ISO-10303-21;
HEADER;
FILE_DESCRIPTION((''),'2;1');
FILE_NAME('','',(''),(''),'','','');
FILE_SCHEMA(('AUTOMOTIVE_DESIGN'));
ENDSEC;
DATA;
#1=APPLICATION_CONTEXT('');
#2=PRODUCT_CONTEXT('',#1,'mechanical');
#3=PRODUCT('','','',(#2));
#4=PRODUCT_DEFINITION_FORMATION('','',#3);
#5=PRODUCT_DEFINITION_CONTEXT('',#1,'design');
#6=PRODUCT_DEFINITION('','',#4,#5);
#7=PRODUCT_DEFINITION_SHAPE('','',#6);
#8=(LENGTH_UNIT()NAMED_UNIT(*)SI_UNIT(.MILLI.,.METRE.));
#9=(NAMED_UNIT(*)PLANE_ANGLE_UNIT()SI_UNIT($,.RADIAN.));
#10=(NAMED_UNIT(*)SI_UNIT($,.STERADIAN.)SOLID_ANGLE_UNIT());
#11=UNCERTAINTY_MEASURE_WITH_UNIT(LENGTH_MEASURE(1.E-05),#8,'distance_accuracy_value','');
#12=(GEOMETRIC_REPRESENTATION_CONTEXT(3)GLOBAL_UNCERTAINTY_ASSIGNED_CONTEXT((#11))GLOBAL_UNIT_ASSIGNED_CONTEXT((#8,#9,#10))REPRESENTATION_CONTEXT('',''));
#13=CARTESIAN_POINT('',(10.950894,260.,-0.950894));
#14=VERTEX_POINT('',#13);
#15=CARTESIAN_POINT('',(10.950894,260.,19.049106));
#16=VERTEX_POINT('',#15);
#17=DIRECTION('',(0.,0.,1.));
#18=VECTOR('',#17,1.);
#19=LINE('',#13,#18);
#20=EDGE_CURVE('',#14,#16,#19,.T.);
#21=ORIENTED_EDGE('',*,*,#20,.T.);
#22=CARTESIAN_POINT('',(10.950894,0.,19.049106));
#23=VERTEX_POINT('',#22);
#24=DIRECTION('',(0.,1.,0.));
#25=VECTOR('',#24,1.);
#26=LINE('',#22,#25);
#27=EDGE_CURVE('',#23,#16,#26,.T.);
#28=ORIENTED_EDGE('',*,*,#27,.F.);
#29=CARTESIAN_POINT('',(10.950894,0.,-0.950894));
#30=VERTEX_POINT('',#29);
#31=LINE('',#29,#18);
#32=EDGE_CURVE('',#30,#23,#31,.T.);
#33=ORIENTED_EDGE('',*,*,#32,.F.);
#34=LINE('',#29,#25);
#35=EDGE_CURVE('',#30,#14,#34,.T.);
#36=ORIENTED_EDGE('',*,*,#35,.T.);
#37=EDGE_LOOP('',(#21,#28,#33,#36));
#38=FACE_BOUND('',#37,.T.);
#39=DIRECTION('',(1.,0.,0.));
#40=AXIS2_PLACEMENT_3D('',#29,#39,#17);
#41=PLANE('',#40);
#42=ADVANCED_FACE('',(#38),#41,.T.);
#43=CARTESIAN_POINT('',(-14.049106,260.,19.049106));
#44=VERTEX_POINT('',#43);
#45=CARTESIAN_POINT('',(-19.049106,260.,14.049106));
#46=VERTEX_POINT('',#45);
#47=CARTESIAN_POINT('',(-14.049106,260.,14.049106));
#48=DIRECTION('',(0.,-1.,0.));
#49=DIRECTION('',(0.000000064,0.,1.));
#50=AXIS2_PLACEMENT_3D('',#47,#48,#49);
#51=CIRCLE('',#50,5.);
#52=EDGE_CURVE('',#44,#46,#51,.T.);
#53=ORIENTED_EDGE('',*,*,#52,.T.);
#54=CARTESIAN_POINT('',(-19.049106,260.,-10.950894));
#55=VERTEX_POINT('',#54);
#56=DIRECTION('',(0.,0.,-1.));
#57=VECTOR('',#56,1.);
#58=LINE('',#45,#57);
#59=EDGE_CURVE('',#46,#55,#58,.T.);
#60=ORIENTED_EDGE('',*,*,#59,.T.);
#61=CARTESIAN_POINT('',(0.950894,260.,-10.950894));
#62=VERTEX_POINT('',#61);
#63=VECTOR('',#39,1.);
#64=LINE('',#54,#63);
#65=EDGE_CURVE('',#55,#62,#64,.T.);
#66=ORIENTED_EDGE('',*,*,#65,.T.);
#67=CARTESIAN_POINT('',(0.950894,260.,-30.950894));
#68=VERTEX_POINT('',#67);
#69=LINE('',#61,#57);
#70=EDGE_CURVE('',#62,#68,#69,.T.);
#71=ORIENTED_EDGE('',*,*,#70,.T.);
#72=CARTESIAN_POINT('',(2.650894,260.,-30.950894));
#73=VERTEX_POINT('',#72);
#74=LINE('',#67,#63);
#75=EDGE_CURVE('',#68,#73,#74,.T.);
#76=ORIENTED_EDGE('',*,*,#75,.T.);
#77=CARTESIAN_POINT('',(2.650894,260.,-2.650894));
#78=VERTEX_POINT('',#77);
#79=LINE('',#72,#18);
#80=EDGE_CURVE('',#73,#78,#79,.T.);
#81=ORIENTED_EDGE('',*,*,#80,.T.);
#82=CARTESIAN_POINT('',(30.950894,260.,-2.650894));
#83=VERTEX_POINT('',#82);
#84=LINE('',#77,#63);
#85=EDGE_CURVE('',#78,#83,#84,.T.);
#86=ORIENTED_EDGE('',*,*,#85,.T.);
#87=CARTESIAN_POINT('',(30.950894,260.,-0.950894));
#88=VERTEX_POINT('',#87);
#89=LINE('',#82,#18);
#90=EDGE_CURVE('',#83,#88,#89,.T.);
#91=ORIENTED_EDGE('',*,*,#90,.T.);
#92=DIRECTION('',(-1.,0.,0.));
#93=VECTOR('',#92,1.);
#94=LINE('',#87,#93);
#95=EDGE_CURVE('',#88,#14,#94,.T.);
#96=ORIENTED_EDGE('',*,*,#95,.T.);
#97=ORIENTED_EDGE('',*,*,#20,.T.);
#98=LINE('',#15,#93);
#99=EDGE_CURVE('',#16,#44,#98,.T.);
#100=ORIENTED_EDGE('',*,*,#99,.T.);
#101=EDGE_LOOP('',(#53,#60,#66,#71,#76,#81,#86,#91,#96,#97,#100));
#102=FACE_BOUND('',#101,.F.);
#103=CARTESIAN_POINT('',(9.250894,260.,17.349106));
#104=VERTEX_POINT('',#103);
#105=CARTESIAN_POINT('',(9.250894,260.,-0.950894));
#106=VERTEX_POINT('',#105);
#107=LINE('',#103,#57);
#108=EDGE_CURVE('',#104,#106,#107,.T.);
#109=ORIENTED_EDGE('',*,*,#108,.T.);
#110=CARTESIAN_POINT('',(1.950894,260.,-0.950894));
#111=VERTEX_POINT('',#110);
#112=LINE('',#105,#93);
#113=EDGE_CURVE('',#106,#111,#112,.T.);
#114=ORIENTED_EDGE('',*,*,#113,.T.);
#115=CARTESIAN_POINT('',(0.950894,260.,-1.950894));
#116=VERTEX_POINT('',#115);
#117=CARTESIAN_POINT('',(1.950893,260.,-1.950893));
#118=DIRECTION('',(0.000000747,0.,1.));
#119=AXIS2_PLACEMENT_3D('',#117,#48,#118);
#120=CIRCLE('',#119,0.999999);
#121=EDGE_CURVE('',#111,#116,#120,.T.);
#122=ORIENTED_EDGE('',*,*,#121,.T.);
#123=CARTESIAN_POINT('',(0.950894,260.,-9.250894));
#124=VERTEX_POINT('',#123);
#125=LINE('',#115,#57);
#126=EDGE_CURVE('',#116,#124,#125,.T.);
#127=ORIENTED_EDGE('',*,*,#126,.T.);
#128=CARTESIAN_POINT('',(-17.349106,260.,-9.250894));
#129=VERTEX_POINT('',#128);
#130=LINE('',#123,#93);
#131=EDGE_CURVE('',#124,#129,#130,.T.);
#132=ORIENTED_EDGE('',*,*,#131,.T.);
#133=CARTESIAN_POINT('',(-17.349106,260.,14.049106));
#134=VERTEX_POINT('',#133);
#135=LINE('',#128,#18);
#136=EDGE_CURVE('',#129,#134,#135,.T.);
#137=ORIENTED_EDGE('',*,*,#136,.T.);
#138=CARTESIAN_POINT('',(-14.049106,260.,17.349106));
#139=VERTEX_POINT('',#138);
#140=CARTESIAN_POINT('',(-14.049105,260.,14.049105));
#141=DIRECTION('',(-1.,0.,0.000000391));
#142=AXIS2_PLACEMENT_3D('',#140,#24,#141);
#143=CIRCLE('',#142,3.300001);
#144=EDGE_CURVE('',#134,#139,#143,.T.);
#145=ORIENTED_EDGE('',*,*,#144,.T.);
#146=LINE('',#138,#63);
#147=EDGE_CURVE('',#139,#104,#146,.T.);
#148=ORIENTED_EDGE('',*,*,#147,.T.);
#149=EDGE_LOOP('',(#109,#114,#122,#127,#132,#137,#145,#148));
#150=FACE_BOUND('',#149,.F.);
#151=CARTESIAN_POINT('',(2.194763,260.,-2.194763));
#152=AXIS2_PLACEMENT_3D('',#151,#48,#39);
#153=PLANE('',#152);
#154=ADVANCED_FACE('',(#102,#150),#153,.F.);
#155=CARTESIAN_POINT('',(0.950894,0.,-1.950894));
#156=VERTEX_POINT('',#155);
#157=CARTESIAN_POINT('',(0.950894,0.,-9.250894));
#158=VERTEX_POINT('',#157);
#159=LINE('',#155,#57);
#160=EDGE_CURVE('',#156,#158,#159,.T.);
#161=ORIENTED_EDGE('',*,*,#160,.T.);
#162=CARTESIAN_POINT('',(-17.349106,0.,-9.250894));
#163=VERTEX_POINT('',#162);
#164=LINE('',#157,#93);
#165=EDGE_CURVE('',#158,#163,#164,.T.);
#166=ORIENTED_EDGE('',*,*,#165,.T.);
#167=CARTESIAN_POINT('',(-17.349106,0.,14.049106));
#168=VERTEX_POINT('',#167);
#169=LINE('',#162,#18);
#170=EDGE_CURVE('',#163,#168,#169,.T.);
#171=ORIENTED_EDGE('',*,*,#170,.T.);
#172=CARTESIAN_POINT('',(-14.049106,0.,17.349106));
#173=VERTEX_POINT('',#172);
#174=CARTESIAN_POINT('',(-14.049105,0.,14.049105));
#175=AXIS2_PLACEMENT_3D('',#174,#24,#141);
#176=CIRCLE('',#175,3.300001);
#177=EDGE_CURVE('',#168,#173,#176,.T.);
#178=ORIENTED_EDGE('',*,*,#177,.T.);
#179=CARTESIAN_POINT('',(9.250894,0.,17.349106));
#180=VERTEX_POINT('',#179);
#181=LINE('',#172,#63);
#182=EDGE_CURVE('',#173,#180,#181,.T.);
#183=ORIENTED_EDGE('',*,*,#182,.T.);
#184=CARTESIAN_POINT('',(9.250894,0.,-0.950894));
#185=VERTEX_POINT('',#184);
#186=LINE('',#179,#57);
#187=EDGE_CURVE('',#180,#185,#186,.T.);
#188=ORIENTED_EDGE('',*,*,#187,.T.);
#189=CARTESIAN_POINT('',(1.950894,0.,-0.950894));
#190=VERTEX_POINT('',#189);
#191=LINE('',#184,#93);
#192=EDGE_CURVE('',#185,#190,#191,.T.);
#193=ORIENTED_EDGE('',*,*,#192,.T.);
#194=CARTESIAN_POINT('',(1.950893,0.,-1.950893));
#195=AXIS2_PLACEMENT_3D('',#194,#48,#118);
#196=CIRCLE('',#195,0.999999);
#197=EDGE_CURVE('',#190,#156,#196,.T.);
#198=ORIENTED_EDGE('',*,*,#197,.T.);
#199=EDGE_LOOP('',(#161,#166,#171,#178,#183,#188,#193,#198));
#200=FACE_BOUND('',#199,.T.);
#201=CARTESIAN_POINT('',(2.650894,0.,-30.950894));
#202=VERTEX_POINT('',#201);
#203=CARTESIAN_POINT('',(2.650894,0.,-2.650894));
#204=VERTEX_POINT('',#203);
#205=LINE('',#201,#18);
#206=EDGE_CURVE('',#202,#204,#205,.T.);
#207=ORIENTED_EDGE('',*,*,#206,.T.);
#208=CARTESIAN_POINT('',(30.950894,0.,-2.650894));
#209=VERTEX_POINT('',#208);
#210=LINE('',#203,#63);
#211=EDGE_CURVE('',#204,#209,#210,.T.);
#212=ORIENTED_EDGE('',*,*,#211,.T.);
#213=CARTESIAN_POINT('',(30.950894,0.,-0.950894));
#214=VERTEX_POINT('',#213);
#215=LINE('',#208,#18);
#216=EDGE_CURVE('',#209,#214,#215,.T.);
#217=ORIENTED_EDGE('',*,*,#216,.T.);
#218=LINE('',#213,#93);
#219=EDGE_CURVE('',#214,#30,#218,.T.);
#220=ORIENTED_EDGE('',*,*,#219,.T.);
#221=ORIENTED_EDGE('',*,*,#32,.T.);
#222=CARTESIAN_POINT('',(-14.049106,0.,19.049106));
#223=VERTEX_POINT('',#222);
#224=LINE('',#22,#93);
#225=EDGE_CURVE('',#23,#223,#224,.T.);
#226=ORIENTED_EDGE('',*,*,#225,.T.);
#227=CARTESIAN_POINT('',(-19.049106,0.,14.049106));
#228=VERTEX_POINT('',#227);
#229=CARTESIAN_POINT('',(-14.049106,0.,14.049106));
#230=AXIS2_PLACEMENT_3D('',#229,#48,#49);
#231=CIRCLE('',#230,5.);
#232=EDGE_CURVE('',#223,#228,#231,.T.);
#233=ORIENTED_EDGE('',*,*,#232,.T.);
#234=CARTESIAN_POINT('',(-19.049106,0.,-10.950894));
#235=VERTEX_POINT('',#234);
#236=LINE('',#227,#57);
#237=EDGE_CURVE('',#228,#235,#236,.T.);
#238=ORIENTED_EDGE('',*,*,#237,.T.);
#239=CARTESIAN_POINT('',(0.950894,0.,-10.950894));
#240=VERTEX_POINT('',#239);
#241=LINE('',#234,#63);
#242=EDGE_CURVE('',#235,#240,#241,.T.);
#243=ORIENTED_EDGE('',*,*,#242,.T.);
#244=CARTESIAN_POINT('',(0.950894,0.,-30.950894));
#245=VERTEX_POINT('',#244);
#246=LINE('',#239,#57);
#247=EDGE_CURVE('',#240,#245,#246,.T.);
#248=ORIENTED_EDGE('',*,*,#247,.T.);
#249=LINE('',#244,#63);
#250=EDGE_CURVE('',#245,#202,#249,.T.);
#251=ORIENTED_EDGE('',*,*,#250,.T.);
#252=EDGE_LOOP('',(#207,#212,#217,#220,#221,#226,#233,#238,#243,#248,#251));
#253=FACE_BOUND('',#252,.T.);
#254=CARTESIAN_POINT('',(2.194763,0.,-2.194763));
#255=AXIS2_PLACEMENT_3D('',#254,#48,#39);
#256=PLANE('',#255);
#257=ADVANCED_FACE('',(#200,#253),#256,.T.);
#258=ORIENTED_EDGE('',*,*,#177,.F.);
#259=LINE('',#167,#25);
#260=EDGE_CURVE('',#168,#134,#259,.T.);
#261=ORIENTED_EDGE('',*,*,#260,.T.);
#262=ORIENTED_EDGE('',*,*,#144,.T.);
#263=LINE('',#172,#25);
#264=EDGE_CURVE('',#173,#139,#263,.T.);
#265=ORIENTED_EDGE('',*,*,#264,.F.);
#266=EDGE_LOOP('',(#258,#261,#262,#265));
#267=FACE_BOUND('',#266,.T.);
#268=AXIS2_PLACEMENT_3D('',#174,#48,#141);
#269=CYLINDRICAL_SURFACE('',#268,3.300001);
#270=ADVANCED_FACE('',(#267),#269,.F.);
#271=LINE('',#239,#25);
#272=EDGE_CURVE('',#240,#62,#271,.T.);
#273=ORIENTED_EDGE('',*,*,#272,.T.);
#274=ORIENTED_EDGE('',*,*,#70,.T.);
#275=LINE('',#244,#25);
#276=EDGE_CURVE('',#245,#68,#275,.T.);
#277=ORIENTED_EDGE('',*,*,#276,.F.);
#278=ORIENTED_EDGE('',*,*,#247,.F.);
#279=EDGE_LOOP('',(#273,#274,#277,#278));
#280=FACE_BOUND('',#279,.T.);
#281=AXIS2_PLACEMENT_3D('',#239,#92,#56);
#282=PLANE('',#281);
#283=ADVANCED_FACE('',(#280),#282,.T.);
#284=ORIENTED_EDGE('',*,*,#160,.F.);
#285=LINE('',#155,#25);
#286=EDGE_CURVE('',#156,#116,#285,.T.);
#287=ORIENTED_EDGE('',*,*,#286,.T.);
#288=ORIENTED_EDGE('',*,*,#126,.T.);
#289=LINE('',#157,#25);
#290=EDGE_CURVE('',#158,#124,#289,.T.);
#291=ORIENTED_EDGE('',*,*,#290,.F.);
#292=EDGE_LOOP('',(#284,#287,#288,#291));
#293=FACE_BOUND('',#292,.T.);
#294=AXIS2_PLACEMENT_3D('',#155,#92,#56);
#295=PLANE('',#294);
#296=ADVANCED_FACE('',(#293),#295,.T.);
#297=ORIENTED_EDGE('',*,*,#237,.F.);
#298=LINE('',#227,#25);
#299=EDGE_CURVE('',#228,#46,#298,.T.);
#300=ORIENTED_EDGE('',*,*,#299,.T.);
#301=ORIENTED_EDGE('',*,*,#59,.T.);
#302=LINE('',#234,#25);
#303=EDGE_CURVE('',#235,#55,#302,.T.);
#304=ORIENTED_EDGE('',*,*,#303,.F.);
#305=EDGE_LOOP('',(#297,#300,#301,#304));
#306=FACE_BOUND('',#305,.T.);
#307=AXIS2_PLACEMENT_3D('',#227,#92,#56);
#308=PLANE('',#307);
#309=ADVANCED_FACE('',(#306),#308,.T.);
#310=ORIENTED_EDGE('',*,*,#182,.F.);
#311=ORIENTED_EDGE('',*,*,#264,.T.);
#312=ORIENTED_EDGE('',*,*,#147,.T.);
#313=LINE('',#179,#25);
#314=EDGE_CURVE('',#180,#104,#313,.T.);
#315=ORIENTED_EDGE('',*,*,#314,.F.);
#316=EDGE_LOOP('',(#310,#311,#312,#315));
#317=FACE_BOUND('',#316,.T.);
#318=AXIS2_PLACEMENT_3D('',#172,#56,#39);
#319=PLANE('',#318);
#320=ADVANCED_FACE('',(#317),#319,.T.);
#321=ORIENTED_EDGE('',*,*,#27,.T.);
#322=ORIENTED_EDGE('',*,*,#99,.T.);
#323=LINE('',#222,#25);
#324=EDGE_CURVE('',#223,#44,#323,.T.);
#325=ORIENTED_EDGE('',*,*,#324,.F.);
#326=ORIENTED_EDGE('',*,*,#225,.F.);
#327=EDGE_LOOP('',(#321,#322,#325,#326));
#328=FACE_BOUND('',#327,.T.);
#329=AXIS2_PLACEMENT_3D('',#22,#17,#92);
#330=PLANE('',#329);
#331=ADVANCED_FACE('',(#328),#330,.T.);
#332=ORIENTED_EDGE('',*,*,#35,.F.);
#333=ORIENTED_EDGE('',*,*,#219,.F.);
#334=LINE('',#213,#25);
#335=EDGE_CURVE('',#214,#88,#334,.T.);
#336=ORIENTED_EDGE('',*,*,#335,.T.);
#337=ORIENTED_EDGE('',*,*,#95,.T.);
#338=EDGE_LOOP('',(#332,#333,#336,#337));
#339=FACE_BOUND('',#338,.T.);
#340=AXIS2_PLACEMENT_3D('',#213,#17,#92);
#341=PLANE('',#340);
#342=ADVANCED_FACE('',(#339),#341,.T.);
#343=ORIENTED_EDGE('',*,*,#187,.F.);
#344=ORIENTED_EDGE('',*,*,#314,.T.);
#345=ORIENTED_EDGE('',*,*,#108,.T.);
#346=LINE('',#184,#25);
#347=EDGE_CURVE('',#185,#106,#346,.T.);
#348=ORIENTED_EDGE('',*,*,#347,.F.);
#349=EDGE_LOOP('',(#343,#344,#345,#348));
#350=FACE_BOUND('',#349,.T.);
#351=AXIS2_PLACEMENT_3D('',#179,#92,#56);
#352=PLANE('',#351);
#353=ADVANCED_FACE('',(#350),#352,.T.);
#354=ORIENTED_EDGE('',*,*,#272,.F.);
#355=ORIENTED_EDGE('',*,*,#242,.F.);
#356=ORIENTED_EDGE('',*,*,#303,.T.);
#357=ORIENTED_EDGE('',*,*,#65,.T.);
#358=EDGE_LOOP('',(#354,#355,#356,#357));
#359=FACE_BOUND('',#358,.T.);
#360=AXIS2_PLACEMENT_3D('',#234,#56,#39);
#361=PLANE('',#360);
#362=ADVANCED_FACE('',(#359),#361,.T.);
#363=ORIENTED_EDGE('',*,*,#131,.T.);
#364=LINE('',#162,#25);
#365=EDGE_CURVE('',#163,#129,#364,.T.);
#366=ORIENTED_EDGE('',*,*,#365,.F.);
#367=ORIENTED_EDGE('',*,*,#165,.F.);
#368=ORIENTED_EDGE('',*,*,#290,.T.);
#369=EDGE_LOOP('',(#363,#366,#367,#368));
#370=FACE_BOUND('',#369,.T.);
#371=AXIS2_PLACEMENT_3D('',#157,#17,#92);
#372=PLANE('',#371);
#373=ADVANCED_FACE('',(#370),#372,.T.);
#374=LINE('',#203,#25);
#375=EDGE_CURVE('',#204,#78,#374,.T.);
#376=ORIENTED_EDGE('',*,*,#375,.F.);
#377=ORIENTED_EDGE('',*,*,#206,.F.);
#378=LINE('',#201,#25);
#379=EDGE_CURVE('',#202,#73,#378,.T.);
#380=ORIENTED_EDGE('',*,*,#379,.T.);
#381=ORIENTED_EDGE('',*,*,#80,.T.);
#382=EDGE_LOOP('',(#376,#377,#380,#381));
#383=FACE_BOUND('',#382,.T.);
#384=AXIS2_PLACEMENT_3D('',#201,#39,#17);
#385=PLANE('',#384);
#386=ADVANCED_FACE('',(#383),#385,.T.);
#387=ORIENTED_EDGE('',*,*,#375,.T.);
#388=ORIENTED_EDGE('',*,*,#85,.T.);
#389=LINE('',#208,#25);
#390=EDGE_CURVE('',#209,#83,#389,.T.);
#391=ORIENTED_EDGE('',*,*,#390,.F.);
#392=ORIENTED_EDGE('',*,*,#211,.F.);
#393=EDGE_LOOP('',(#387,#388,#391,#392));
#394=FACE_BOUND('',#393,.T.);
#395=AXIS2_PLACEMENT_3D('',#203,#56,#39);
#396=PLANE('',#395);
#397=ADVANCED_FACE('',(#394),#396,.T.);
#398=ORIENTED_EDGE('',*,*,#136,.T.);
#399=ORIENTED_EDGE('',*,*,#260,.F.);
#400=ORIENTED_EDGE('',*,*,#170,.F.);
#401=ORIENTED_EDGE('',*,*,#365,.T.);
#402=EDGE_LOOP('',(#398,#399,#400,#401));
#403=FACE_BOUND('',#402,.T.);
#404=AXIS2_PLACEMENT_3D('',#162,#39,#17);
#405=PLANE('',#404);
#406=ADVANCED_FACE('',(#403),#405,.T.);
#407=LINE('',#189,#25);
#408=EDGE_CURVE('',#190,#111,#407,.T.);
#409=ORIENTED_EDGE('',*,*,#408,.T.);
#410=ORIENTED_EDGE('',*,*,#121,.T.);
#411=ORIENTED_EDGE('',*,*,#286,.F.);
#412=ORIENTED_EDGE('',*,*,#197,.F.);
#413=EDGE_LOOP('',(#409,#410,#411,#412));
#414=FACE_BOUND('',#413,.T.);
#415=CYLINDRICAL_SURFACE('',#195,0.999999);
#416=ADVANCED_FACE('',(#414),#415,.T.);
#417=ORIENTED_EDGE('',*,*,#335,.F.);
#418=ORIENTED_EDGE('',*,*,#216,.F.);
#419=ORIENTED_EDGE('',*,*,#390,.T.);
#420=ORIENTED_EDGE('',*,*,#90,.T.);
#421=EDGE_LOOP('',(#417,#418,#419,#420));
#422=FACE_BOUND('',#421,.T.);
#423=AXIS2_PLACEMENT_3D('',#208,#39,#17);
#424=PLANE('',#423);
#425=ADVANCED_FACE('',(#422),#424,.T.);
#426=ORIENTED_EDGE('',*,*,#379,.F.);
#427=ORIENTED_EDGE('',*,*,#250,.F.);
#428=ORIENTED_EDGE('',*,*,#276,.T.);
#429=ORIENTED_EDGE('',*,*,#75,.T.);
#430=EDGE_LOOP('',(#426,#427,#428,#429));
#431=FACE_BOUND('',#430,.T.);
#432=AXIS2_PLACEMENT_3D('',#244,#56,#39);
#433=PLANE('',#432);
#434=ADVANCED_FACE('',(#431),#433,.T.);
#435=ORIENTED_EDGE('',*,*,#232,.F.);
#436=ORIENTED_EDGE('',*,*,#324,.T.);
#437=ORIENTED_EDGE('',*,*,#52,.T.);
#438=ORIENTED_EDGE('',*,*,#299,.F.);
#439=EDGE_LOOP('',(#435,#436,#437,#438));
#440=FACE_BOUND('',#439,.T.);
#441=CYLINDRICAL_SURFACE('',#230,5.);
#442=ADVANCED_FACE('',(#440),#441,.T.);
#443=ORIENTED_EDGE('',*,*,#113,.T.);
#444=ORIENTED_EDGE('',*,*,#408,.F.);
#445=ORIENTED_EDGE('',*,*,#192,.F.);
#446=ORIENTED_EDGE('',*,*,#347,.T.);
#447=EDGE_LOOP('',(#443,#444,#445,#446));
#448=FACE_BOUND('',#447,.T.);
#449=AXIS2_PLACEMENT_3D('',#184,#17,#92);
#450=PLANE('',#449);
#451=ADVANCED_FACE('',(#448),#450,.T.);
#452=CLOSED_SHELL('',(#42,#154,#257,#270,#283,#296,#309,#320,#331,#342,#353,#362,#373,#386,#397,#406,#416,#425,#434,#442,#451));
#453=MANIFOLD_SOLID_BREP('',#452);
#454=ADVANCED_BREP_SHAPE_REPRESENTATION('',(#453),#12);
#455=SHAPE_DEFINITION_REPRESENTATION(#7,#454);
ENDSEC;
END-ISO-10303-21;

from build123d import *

# Parameters (mm, degrees)
F1_DEPTH = 260


with BuildPart() as f1:
    # F0 (on Front) → F1 (new body)
    with BuildSketch(Plane.XZ):
        with BuildLine():
            Line((10.950894, 19.049106), (-14.049106, 19.049106))
            ThreePointArc((-14.049106, 19.049106), (-17.58464, 17.58464), (-19.049106, 14.049106))
            Line((-19.049106, 14.049106), (-19.049106, -10.950894))
            Line((-19.049106, -10.950894), (0.950894, -10.950894))
            Line((0.950894, -10.950894), (0.950894, -30.950894))
            Line((0.950894, -30.950894), (2.650894, -30.950894))
            Line((2.650894, -30.950894), (2.650894, -2.650894))
            Line((2.650894, -2.650894), (30.950894, -2.650894))
            Line((30.950894, -2.650894), (30.950894, -0.950894))
            Line((30.950894, -0.950894), (10.950894, -0.950894))
            Line((10.950894, -0.950894), (10.950894, 19.049106))
        make_face()
        with BuildLine():
            ThreePointArc((1.950894, -0.950894), (1.243787, -1.243787), (0.950894, -1.950894))
            Line((0.950894, -1.950894), (0.950894, -9.250894))
            Line((0.950894, -9.250894), (-17.349106, -9.250894))
            Line((-17.349106, -9.250894), (-17.349106, 14.049106))
            ThreePointArc((-17.349106, 14.049106), (-16.382558, 16.382558), (-14.049106, 17.349106))
            Line((-14.049106, 17.349106), (9.250894, 17.349106))
            Line((9.250894, 17.349106), (9.250894, -0.950894))
            Line((9.250894, -0.950894), (1.950894, -0.950894))
        make_face(mode=Mode.SUBTRACT)
    extrude(amount=-F1_DEPTH)


solid = f1.part
